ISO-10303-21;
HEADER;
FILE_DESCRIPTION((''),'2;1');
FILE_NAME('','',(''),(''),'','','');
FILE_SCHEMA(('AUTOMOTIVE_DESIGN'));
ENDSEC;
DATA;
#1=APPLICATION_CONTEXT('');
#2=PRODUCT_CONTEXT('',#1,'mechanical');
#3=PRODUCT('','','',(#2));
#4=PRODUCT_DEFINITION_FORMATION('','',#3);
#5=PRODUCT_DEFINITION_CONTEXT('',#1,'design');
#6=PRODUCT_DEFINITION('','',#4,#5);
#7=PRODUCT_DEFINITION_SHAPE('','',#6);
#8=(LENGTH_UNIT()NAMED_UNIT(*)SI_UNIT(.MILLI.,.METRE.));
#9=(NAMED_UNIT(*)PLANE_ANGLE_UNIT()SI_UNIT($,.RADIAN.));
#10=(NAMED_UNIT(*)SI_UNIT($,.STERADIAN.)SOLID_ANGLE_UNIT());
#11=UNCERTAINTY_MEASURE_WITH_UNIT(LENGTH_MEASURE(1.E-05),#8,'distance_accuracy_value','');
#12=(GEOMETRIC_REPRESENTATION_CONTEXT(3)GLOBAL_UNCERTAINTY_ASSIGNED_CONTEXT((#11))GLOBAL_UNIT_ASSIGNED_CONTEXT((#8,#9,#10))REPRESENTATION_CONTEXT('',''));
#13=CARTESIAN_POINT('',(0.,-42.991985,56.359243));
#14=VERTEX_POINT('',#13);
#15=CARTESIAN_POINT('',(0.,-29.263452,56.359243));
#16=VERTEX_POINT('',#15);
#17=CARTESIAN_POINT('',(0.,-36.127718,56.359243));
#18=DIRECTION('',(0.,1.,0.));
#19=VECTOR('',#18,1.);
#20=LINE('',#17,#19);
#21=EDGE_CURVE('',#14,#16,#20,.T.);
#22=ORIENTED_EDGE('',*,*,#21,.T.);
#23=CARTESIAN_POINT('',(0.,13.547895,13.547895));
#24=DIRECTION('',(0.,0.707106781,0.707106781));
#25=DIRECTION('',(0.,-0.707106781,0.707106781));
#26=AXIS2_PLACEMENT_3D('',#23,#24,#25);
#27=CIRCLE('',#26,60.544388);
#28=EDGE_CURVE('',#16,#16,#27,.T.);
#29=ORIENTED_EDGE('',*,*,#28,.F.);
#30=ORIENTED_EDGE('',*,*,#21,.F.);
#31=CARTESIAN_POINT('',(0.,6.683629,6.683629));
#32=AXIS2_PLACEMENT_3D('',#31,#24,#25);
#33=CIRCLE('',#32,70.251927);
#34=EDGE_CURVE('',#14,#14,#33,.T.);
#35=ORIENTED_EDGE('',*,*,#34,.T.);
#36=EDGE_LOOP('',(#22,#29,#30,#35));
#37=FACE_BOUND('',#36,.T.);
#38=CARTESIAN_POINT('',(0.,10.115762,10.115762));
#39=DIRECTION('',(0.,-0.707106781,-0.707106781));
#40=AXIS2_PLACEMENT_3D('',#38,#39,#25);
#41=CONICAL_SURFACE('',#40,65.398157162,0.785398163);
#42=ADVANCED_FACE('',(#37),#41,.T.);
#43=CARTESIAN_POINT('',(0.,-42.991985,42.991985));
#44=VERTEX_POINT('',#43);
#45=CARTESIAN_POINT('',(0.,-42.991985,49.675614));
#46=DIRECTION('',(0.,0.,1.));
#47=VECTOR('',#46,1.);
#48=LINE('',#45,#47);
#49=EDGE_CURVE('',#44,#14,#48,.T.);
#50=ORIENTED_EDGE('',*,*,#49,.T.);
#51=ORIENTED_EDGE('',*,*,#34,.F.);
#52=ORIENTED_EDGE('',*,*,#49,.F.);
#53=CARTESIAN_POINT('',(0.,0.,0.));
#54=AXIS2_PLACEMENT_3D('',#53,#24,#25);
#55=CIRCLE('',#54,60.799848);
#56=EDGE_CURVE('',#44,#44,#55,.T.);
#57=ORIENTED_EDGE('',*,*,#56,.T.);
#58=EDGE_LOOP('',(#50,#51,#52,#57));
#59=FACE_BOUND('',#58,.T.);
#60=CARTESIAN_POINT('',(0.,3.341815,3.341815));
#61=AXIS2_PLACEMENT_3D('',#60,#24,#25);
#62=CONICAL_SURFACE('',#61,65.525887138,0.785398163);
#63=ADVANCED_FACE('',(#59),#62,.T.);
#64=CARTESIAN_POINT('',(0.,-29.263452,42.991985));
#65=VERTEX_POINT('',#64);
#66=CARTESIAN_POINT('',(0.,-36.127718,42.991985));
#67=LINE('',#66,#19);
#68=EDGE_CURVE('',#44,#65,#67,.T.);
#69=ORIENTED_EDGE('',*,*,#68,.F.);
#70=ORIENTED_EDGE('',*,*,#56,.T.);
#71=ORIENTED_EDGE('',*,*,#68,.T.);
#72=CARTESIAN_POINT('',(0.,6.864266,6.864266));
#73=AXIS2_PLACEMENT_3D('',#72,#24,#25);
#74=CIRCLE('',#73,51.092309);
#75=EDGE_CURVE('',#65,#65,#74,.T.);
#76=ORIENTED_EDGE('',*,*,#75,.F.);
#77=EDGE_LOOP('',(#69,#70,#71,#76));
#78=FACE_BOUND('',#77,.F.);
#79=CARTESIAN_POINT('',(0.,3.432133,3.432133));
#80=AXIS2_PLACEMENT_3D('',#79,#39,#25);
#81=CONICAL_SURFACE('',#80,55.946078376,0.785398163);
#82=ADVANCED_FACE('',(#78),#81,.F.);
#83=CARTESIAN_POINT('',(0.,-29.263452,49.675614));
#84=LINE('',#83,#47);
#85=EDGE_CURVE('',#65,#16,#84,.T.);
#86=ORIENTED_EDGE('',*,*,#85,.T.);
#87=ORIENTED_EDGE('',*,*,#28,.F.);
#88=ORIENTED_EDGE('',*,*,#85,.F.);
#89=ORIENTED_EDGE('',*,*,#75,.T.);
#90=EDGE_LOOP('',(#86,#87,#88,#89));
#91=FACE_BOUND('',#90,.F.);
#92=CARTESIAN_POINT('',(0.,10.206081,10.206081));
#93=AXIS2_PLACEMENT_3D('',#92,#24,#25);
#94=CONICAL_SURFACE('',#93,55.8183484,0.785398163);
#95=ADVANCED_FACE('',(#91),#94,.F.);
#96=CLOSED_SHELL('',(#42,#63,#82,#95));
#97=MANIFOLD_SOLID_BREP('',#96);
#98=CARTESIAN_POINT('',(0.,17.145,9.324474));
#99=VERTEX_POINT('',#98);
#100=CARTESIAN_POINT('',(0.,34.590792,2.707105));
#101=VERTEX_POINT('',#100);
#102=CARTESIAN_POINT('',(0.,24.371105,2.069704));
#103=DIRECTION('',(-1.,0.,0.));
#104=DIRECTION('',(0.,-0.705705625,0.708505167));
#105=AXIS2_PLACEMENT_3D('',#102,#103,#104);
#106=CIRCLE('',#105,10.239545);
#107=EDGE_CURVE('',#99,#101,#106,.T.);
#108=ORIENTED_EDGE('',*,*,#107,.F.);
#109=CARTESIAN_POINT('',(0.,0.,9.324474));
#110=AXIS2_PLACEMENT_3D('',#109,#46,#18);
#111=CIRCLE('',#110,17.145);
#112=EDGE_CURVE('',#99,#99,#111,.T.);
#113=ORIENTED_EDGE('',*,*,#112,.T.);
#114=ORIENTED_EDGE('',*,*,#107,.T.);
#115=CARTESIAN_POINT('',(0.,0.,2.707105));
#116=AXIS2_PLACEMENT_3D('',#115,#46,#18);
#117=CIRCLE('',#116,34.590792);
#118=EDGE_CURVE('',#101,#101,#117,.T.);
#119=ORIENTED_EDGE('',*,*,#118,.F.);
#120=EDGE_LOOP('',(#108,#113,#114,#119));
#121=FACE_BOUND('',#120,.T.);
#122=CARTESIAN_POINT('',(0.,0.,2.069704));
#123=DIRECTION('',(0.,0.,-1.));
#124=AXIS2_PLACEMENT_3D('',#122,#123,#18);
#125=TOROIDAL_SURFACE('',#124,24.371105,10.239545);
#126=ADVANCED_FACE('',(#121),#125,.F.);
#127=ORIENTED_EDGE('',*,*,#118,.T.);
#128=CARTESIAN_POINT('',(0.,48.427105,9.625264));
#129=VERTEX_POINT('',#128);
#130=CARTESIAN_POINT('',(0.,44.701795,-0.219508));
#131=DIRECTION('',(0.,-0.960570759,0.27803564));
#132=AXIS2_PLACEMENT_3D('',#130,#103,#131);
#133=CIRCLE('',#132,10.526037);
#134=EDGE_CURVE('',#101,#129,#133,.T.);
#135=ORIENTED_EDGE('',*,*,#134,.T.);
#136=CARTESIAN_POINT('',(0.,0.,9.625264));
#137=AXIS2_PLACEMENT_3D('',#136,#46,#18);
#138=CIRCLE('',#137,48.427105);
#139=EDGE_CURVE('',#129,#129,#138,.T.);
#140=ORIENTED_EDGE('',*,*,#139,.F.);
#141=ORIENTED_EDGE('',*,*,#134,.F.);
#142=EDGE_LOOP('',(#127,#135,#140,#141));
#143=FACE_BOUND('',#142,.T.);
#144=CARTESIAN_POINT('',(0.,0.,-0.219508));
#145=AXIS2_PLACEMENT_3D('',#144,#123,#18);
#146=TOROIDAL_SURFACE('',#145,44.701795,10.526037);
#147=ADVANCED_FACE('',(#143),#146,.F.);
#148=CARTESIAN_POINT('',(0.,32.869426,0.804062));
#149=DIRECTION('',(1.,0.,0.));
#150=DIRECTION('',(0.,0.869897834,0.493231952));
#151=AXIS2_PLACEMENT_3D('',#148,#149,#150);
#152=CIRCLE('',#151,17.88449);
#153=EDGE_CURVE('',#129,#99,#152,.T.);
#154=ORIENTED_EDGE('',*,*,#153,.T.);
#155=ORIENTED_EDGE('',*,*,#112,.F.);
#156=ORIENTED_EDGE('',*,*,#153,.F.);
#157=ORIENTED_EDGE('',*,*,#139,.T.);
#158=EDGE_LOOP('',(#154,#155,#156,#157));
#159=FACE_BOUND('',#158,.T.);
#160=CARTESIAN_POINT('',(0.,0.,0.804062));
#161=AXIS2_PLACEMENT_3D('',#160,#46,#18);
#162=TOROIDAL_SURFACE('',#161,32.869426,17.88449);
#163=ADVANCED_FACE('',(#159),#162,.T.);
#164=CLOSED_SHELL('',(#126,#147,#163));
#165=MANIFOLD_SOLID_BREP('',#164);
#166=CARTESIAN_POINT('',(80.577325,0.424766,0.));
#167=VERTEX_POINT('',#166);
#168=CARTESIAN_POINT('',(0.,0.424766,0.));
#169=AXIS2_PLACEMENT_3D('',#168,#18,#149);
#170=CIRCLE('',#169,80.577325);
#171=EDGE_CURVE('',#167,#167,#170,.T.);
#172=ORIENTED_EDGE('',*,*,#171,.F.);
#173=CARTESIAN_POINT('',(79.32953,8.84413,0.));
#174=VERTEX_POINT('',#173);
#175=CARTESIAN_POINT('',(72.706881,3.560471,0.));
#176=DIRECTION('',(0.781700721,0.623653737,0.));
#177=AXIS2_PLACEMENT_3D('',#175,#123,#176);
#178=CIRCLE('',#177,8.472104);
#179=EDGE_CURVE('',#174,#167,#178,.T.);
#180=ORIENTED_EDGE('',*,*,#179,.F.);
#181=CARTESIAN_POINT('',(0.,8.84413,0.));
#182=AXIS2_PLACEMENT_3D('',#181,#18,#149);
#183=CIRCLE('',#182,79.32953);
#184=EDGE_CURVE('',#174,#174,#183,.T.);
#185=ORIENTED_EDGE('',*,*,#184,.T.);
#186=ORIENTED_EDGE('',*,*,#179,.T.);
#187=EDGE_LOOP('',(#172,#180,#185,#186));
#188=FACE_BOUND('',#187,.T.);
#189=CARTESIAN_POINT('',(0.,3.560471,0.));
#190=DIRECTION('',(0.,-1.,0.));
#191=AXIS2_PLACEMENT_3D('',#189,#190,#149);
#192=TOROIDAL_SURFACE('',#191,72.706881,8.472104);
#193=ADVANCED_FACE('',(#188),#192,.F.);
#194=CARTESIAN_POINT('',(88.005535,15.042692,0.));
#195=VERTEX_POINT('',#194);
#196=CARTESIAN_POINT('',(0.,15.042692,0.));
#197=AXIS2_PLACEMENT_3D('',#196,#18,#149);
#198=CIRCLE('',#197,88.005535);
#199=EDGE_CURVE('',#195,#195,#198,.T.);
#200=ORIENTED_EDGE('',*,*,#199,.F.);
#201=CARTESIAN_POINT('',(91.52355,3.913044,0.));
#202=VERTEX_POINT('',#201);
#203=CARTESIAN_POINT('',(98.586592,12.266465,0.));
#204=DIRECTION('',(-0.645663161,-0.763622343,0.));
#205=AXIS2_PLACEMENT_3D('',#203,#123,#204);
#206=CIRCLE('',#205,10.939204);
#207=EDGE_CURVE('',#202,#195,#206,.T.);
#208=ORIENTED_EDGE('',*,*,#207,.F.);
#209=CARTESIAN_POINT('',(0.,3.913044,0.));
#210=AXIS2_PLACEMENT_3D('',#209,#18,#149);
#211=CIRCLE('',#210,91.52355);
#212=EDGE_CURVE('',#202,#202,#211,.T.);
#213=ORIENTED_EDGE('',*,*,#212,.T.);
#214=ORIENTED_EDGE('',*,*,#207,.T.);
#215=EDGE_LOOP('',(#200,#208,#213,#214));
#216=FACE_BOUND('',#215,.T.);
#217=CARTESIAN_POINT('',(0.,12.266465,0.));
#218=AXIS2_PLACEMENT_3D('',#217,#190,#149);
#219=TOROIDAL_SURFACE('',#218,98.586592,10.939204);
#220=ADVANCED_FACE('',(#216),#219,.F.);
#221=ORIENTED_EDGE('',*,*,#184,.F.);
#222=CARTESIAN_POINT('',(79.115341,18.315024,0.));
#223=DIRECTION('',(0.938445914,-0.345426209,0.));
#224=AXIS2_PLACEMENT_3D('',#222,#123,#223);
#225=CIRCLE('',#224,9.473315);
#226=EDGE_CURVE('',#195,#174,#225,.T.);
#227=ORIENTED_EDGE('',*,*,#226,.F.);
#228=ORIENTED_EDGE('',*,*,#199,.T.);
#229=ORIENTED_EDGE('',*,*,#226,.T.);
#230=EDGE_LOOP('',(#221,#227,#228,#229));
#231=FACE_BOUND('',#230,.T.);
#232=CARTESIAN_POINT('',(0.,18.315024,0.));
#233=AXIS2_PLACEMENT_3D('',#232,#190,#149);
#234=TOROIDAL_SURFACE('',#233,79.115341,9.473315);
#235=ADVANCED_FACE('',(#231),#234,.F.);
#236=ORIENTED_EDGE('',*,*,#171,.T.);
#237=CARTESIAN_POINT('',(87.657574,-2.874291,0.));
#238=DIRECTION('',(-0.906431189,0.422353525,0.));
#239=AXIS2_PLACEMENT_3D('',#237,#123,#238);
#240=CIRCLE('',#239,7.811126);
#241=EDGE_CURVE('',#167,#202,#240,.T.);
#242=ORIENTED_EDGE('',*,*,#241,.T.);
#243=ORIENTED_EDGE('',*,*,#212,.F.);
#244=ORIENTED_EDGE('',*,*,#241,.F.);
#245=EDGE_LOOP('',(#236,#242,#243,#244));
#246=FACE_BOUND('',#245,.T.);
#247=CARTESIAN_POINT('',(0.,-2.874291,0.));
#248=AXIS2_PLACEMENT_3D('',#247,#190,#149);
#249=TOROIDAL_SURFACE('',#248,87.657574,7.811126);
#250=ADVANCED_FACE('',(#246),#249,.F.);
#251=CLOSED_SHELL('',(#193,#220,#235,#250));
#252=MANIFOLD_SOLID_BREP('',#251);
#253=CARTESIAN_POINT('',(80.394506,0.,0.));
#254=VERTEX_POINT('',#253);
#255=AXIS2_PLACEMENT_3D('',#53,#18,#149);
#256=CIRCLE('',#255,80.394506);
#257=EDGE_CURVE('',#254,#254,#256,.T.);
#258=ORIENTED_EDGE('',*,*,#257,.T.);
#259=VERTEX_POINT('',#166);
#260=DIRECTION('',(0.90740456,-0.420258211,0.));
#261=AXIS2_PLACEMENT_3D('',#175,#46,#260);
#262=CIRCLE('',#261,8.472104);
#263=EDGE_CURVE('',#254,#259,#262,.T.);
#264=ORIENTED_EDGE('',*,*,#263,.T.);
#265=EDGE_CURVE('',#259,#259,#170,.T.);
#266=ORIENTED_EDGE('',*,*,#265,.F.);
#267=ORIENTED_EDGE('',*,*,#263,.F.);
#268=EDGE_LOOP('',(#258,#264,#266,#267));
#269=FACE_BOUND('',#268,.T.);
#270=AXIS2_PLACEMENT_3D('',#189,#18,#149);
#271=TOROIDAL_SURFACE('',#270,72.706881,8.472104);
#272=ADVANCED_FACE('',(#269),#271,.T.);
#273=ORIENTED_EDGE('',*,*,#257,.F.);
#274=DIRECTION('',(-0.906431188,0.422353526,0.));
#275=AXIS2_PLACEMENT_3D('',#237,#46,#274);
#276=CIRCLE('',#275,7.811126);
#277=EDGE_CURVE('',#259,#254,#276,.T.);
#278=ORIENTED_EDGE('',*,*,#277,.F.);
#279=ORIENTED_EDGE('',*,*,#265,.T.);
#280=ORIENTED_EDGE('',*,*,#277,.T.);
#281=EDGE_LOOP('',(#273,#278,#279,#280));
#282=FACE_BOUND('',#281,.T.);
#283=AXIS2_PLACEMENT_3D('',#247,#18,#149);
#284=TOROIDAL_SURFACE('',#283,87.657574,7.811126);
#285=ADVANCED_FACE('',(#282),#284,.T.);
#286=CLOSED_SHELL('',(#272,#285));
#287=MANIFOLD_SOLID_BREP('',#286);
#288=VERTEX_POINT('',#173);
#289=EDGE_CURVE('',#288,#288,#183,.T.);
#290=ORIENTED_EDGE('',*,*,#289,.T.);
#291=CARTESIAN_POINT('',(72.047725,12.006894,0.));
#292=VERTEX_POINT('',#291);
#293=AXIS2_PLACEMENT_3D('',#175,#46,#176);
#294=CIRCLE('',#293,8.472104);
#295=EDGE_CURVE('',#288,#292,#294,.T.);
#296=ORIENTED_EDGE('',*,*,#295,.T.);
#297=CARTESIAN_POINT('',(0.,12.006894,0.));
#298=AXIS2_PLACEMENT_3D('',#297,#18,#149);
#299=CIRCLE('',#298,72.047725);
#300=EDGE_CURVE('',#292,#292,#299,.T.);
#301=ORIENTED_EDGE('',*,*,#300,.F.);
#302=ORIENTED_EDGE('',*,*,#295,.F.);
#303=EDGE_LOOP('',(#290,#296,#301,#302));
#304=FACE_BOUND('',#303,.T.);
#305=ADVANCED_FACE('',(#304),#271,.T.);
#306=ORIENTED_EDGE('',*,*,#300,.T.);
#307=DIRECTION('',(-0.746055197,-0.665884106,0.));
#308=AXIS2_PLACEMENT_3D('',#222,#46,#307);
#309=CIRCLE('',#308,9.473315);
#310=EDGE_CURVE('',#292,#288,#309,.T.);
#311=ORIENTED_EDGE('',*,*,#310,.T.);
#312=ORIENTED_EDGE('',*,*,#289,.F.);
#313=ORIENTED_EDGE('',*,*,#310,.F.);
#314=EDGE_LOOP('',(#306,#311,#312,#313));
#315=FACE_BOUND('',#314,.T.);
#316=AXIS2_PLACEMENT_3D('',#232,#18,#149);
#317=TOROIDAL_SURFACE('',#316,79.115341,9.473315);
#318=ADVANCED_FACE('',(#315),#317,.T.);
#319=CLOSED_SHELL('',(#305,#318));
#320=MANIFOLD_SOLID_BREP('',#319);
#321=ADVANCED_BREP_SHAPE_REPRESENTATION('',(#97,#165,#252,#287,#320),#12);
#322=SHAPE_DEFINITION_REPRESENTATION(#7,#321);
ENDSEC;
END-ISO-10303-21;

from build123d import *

# Parameters (mm, degrees)
F4_W = 13.7285329401
F4_H = 13.3672580123


with BuildPart() as f1:
    # F0 (on Right) → F1 (revolve)
    with BuildSketch(Plane.YZ):
        with BuildLine():
            ThreePointArc((17.1450003982, 9.3244742602), (28.0026027982, 11.6436530338), (34.5907919109, 2.7071053628))
            ThreePointArc((34.5907919109, 2.7071053628), (39.9944076303, 9.1952653242), (48.42710495, 9.6252635121))
            ThreePointArc((48.42710495, 9.6252635121), (32.697467583, 18.6877249424), (17.1450003982, 9.3244742602))
        make_face()
    revolve(axis=Axis((0, 0, 13.2347363979), (0, 0, 1)))


with BuildPart() as f3:
    # F2 (on Top) → F3 (revolve)
    with BuildSketch(Plane.XY):
        with BuildLine():
            ThreePointArc((72.0477253199, 12.006893754), (75.3413337667, 9.6259175213), (79.3295304914, 8.8441302695))
            ThreePointArc((79.3295304914, 8.8441302695), (76.0820228882, 11.3312470225), (72.0477253199, 12.006893754))
        make_face()
    revolve(axis=Axis((0, 5.6240474805, 0), (0, 1, 0)))


with BuildPart() as f3b:
    # F2 (on Top) → F3, piece 2 (revolve)
    with BuildSketch(Plane.XY):
        with BuildLine():
            ThreePointArc((80.5773252699, 0.4247659821), (80.482771774, 0.2137362032), (80.3945064545, 0))
            ThreePointArc((80.3945064545, 0), (80.4888145593, 0.211135395), (80.5773252699, 0.4247659821))
        make_face()
    revolve(axis=Axis((0, 5.6240474805, 0), (0, 1, 0)))


with BuildPart() as f3c:
    # F2 (on Top) → F3, piece 3 (revolve)
    with BuildSketch(Plane.XY):
        with BuildLine():
            ThreePointArc((79.3295304914, 8.8441302695), (81.0874457349, 4.8025156317), (80.5773252699, 0.4247659821))
            ThreePointArc((80.5773252699, 0.4247659821), (85.2858850353, 4.5680735889), (91.5235504508, 3.9130444638))
            ThreePointArc((91.5235504508, 3.9130444638), (88.1560686395, 8.969439358), (88.0055353045, 15.0426924229))
            ThreePointArc((88.0055353045, 15.0426924229), (84.6224268857, 10.6068651233), (79.3295304914, 8.8441302695))
        make_face()
    revolve(axis=Axis((0, 5.6240474805, 0), (0, 1, 0)))


with BuildPart() as f5:
    # F4 (on Right) → F5 (revolve)
    with BuildSketch(Plane.YZ):
        with Locations((-36.1277181655, 49.6756136417)):
            Rectangle(F4_W, F4_H)
    revolve(axis=Axis((0, 20.1089774904, 20.1089774904), (0, 0.7071067812, 0.7071067812)))


solid = Compound([f1.part, f3.part, f3b.part, f3c.part, f5.part])
